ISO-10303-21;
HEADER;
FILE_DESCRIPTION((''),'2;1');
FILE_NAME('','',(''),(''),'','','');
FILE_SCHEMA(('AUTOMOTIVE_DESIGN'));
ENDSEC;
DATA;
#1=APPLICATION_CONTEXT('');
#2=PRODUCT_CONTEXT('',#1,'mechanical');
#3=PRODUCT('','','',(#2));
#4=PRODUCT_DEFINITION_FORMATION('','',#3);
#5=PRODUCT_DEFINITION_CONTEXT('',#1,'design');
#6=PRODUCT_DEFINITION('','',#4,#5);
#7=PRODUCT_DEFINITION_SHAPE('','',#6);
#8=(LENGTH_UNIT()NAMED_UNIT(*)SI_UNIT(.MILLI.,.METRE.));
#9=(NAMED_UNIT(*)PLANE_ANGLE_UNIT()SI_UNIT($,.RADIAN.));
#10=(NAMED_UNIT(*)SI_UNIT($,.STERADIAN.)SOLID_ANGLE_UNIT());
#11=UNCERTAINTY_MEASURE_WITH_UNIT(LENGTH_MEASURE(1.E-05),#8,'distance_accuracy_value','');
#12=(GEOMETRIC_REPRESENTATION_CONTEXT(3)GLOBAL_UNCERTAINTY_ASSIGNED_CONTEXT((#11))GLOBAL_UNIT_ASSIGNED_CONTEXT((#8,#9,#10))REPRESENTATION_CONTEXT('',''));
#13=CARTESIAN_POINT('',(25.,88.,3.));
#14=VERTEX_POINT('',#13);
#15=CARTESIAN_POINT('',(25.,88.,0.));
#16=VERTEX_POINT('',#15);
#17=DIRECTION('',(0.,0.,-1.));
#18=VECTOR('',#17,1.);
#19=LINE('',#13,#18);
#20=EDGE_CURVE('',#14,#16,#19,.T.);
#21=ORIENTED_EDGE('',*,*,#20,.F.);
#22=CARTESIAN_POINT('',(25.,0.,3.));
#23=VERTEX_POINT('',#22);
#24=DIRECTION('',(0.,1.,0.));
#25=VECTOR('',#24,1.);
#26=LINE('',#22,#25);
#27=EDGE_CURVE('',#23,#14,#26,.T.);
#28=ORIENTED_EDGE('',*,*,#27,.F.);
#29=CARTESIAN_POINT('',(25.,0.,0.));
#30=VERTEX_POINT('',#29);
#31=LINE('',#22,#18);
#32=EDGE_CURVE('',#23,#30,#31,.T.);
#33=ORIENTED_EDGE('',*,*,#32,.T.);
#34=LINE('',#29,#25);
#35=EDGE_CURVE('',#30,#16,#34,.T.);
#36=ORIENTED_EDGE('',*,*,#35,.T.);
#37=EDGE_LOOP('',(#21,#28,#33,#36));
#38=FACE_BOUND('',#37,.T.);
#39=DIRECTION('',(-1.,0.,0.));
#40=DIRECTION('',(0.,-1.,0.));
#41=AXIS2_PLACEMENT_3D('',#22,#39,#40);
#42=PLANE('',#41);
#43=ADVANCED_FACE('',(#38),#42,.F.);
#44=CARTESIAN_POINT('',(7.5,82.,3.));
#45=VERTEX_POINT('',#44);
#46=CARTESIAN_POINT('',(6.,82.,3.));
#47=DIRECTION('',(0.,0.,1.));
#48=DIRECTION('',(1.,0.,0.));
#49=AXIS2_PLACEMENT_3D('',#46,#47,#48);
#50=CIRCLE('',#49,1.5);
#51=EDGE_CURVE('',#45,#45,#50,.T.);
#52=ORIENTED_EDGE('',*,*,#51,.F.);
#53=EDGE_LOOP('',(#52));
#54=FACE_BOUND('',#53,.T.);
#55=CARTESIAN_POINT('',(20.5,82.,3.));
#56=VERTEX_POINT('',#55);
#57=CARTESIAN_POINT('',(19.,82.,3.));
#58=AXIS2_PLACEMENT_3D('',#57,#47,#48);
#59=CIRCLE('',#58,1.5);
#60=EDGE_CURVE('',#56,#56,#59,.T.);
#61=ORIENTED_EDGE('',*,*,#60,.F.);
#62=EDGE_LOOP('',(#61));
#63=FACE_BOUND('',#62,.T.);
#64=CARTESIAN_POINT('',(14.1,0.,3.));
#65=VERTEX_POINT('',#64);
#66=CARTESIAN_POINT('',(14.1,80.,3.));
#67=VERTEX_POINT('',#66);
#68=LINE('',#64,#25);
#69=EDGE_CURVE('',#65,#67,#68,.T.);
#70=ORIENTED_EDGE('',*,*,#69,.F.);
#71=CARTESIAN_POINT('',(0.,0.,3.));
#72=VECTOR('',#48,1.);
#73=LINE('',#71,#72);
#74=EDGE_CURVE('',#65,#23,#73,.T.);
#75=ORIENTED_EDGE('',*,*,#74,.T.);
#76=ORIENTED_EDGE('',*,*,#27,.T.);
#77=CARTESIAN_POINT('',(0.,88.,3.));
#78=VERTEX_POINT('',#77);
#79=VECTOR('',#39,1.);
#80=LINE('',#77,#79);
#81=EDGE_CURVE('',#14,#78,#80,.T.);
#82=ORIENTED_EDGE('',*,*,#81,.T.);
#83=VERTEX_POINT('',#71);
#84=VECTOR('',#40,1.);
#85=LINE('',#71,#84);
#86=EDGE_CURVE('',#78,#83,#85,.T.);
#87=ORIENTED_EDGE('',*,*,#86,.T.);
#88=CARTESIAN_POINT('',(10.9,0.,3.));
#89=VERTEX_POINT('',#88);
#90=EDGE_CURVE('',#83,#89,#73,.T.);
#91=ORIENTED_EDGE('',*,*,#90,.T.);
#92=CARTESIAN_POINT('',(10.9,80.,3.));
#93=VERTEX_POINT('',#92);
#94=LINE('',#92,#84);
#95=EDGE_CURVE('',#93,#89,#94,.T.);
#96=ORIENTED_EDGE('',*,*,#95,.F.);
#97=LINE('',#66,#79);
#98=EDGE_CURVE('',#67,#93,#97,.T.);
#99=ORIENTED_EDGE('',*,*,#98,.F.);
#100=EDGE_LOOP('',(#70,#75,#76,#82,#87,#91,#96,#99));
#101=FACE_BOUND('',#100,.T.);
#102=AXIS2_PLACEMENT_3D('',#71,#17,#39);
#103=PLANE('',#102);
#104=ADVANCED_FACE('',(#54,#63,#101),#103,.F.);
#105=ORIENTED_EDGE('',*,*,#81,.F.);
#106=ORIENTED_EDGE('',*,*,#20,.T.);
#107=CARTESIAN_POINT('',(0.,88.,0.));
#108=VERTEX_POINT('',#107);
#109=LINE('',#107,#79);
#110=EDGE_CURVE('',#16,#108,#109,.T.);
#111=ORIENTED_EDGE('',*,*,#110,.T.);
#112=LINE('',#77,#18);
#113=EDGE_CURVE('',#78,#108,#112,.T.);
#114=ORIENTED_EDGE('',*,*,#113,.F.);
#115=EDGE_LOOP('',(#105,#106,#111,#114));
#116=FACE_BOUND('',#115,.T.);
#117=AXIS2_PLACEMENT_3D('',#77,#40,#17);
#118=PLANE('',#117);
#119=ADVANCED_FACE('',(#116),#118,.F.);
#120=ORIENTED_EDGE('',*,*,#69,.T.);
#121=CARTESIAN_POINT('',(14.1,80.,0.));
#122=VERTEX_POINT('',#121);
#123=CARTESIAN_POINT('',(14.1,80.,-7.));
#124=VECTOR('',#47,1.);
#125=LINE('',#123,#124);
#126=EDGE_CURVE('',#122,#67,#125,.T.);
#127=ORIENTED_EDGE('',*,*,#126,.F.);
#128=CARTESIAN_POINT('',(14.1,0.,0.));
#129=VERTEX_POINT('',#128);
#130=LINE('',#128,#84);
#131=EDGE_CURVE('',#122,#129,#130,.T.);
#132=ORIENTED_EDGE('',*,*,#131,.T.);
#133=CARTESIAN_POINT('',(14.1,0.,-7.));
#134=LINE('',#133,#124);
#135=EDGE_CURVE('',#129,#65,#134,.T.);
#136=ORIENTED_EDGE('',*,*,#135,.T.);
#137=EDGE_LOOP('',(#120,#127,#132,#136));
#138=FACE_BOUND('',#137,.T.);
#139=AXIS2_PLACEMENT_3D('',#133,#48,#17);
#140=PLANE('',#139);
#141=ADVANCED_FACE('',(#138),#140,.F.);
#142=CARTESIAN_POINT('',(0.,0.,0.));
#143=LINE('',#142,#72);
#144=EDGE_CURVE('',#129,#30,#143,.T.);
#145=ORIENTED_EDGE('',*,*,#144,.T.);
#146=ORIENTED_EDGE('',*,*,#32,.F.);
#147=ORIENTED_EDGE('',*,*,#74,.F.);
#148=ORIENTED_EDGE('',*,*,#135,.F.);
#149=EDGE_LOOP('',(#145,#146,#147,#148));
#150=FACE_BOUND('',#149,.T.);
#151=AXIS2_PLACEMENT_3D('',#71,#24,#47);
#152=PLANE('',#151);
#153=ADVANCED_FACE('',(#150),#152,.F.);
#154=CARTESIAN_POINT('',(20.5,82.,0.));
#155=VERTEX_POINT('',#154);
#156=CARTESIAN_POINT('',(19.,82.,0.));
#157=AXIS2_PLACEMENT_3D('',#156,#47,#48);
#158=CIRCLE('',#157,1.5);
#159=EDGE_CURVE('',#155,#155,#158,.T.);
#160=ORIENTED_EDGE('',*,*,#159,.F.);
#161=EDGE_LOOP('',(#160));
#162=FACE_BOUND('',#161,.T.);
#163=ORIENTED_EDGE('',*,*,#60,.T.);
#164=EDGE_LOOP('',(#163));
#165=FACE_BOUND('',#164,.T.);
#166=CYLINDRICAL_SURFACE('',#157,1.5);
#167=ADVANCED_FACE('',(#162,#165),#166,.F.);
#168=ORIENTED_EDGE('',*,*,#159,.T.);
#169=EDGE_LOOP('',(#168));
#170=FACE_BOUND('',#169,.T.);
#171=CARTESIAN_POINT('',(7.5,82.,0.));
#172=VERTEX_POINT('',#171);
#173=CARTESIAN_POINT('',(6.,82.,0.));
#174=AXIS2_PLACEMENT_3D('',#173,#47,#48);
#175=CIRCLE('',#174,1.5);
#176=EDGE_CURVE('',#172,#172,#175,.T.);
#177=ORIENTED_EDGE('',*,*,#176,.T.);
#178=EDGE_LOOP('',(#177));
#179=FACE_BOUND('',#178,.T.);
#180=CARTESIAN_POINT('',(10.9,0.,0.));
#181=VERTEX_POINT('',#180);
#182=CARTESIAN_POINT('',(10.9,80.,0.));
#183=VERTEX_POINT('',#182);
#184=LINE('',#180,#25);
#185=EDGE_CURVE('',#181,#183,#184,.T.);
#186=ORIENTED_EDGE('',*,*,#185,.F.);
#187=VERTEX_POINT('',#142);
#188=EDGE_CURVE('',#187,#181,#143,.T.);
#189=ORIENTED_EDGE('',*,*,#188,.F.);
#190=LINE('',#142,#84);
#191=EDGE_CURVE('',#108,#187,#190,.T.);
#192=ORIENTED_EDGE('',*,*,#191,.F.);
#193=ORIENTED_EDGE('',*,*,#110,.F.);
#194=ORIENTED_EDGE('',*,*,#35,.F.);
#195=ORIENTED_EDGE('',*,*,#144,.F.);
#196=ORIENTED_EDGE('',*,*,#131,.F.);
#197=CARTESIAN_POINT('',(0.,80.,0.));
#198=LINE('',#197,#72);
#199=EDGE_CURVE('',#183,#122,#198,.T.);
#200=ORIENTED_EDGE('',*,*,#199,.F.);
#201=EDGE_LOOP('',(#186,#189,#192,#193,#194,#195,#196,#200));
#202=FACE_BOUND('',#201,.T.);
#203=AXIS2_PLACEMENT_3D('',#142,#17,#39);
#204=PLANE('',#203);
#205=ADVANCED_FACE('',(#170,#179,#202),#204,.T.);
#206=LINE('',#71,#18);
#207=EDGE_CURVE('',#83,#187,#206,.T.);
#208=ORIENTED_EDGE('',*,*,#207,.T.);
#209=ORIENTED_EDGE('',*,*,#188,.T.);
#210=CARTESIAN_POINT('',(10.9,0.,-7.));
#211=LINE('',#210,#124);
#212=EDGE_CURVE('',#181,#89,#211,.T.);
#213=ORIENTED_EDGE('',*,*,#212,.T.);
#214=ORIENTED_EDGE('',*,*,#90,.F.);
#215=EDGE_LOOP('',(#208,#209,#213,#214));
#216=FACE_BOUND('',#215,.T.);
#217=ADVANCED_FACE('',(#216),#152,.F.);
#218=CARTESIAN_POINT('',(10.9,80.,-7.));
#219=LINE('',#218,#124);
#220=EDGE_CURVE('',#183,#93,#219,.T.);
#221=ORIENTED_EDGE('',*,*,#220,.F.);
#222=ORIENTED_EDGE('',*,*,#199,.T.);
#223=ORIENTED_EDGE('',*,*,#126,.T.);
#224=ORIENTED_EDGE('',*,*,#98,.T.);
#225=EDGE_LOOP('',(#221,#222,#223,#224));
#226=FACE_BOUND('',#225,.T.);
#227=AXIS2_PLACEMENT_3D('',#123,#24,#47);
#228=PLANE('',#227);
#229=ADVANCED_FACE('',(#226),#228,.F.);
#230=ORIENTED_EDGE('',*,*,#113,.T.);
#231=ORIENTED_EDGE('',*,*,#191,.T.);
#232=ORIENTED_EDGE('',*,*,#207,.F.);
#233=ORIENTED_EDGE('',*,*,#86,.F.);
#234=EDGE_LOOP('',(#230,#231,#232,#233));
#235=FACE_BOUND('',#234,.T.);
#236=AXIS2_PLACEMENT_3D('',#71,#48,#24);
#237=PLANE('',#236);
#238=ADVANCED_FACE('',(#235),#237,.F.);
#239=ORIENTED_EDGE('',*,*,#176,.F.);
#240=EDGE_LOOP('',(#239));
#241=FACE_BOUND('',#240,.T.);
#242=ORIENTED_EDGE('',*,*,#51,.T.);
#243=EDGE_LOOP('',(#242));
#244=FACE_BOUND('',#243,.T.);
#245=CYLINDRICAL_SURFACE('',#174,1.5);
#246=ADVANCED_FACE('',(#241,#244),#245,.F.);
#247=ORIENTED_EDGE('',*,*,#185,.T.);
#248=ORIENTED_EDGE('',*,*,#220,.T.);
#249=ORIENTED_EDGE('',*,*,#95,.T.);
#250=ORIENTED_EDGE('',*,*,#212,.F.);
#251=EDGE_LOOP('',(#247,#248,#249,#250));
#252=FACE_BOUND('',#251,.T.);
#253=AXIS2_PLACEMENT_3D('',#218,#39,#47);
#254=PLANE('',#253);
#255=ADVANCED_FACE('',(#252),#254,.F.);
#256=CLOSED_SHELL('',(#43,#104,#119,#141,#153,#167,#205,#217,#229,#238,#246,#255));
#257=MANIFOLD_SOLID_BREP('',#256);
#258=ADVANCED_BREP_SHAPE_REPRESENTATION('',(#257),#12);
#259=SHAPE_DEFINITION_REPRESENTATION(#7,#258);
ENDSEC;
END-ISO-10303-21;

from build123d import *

# Parameters (mm, degrees)
SKETCH1_W           = 25
SKETCH1_H           = 88
BOSS_EXTRUDE1_DEPTH = 3
SKETCH2_R           = 1.5
CUT_EXTRUDE1_DEPTH  = 3
SKETCH3_W           = 3.2
SKETCH3_H           = 80
CUT_EXTRUDE2_DEPTH  = 10


with BuildPart() as part:
    # Sketch1 → Boss-Extrude1 (new body)
    with BuildSketch(Plane.XY):
        with Locations((12.5, 44)):
            Rectangle(SKETCH1_W, SKETCH1_H)
    extrude(amount=BOSS_EXTRUDE1_DEPTH)

    # Sketch2 → Cut-Extrude1 (cut)
    with BuildSketch(Plane.XY.offset(3)):
        with Locations((19, 82)):
            Circle(SKETCH2_R)
        with Locations((6, 82)):
            Circle(SKETCH2_R)
    extrude(amount=-CUT_EXTRUDE1_DEPTH, mode=Mode.SUBTRACT)

    # Sketch3 → Cut-Extrude2 (cut)
    with BuildSketch(Plane.XY.offset(3)):
        with Locations((12.5, 40)):
            Rectangle(SKETCH3_W, SKETCH3_H)
    extrude(amount=-CUT_EXTRUDE2_DEPTH, mode=Mode.SUBTRACT)


solid = part.part
